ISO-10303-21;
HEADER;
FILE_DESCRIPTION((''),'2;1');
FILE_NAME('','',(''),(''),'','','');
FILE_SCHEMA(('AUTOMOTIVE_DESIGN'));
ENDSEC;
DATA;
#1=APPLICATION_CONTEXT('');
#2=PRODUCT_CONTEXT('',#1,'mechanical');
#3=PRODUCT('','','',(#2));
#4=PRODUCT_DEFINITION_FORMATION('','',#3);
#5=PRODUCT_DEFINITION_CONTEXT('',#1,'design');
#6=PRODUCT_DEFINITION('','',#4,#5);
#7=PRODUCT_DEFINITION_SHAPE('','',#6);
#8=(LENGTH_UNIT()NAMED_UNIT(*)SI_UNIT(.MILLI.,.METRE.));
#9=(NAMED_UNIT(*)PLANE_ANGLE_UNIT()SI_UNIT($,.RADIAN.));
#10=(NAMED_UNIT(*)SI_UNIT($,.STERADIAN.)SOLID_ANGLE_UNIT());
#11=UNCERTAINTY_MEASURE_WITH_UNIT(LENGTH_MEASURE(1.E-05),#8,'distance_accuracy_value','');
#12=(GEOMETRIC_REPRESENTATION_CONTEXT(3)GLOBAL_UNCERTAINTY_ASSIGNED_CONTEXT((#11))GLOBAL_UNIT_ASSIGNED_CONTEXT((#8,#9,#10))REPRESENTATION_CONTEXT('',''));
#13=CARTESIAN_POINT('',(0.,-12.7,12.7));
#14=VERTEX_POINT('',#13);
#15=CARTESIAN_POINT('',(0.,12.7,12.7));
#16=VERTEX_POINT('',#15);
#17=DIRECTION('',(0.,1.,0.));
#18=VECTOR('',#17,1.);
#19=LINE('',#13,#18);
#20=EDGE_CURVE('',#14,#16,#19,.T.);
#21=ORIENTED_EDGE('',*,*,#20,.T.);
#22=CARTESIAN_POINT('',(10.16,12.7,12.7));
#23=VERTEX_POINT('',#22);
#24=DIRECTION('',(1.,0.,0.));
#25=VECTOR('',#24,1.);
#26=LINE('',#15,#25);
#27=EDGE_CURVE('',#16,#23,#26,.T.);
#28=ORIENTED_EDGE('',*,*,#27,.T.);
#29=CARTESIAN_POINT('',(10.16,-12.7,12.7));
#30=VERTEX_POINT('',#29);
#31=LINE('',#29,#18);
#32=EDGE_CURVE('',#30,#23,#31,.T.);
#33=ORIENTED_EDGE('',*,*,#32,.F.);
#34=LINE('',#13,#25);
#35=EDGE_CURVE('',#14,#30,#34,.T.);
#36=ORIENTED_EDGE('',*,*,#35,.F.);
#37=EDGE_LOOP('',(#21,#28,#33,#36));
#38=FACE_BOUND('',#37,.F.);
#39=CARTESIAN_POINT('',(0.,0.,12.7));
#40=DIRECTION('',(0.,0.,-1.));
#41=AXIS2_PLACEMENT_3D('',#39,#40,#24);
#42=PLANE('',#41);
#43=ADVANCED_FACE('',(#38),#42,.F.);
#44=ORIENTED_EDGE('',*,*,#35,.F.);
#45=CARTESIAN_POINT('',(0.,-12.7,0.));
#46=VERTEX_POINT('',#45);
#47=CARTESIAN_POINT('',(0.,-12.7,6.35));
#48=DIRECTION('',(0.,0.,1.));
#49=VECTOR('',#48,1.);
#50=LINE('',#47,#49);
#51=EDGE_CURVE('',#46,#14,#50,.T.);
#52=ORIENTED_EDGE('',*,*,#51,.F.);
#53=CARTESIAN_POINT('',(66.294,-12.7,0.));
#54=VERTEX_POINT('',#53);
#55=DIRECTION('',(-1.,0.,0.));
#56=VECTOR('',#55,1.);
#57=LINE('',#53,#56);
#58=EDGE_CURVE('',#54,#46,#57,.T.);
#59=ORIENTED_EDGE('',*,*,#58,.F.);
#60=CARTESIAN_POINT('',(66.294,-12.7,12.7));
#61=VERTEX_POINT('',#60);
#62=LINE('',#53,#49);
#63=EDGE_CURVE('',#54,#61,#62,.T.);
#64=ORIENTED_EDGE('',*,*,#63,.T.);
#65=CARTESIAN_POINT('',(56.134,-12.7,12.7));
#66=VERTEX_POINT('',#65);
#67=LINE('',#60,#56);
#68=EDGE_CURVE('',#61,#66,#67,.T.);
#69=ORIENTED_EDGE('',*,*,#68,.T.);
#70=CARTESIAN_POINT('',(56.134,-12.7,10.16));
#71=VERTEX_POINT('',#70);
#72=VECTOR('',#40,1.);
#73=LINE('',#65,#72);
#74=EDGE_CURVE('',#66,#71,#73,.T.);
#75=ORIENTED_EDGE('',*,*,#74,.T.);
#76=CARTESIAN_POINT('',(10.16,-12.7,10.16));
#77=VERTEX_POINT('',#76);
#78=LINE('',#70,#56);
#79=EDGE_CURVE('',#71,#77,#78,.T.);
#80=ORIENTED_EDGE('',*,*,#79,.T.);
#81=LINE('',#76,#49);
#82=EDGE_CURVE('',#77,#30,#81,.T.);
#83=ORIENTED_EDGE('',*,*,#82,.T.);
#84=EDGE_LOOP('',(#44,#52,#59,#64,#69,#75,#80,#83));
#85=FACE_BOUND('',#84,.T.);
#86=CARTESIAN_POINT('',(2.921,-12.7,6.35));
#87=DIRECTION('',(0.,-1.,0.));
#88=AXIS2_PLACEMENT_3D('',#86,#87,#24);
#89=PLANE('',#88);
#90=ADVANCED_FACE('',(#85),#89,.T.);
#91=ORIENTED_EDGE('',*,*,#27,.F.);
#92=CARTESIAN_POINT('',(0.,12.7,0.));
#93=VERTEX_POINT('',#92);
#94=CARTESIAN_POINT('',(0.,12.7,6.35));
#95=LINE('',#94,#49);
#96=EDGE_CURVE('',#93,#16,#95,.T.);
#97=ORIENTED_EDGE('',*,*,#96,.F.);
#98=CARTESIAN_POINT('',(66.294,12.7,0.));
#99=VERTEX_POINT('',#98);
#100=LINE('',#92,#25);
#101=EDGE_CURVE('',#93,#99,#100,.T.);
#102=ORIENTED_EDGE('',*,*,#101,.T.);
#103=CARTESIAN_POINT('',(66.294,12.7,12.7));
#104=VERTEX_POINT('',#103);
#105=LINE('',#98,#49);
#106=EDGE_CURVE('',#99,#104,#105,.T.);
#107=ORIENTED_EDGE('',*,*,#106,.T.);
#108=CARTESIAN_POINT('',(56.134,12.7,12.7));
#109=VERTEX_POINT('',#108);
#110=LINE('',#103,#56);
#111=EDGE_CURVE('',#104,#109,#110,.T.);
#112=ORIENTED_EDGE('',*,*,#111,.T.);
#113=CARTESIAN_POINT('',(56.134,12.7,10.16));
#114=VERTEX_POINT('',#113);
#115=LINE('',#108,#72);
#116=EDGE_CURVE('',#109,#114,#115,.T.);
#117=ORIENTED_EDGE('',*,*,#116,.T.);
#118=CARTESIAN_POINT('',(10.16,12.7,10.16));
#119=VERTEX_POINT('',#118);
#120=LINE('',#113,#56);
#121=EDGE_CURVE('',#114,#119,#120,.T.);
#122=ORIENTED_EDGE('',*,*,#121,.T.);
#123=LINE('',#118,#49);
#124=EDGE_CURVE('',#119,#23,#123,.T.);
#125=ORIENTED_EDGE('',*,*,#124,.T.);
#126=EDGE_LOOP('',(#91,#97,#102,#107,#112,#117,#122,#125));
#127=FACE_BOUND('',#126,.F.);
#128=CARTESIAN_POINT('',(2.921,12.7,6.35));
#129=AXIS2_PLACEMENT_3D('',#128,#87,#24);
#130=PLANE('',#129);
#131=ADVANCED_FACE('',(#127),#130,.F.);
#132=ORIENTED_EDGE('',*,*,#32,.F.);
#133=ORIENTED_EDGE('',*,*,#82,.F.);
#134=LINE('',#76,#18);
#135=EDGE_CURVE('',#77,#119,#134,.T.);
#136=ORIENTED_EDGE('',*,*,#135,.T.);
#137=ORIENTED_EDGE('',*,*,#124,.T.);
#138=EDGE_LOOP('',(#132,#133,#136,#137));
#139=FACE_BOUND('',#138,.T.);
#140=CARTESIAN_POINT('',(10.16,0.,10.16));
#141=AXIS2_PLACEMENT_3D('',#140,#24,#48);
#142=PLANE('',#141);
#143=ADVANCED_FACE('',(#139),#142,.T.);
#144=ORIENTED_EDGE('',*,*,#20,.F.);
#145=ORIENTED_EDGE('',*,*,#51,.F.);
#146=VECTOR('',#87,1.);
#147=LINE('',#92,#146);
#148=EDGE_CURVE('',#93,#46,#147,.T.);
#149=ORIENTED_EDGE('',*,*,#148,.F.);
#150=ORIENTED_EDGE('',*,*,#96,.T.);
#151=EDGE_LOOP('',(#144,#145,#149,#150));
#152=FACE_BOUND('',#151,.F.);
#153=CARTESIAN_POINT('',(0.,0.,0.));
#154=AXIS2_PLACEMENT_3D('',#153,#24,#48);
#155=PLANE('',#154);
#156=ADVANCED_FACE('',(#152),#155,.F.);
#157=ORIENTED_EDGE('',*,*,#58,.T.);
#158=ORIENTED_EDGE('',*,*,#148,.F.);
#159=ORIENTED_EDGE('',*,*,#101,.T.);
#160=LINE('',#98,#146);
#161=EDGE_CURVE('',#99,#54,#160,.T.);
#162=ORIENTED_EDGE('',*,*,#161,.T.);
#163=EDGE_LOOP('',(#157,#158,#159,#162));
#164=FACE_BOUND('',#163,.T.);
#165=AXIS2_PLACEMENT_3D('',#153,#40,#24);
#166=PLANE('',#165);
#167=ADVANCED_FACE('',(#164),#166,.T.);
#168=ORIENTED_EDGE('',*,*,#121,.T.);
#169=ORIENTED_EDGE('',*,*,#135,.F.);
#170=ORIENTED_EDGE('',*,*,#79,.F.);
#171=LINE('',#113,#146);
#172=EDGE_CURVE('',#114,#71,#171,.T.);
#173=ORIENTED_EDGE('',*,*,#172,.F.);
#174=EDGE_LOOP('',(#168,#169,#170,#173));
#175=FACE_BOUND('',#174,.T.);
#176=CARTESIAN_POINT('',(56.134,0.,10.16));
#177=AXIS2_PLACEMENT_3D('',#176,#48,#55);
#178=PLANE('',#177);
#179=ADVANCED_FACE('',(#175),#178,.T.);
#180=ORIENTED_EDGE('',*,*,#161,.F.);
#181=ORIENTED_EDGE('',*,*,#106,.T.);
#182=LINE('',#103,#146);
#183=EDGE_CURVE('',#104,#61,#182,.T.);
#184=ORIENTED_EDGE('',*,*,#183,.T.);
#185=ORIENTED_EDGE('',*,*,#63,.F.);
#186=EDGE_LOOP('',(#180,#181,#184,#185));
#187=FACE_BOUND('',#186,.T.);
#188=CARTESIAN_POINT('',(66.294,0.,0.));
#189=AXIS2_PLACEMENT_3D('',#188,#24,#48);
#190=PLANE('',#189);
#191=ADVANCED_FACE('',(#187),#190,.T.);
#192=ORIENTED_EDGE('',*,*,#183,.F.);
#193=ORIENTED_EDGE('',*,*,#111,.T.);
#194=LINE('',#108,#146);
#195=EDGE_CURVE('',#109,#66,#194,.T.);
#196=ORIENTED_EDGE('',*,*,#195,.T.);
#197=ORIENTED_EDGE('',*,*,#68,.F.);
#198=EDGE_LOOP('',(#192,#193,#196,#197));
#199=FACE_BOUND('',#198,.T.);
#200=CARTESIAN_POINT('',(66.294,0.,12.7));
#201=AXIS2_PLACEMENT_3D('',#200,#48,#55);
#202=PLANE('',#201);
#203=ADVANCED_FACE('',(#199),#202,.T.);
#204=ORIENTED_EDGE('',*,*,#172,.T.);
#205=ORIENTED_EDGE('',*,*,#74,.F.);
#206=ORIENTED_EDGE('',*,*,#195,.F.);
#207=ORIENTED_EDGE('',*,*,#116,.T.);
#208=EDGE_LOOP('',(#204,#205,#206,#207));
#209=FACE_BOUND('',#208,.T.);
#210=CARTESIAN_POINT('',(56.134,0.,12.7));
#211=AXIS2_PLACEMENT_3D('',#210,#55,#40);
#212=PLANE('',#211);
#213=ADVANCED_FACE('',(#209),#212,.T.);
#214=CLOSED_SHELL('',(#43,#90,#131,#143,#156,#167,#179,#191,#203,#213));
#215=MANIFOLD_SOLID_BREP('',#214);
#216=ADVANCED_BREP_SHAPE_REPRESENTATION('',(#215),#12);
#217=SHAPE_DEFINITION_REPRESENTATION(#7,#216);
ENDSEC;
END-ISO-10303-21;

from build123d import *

# Parameters (mm, degrees)
F1_DEPTH = 12.7
F0_W     = 5.842
F0_H     = 12.7
F2_DEPTH = 12.7


with BuildPart() as f1:
    # F0 (on Front) → F1 (new body, symmetric)
    with BuildSketch(Plane.XZ):
        Polygon((5.842, 12.7), (5.842, 0), (66.294, 0), (66.294, 12.7), (56.134, 12.7), (56.134, 10.16), (10.16, 10.16), (10.16, 12.7), align=None)
    extrude(amount=F1_DEPTH, both=True)

    # F0 (on Front) → F2 (join, symmetric)
    with BuildSketch(Plane.XZ):
        with Locations((2.921, 6.35)):
            Rectangle(F0_W, F0_H)
    extrude(amount=F2_DEPTH, both=True)


solid = f1.part
